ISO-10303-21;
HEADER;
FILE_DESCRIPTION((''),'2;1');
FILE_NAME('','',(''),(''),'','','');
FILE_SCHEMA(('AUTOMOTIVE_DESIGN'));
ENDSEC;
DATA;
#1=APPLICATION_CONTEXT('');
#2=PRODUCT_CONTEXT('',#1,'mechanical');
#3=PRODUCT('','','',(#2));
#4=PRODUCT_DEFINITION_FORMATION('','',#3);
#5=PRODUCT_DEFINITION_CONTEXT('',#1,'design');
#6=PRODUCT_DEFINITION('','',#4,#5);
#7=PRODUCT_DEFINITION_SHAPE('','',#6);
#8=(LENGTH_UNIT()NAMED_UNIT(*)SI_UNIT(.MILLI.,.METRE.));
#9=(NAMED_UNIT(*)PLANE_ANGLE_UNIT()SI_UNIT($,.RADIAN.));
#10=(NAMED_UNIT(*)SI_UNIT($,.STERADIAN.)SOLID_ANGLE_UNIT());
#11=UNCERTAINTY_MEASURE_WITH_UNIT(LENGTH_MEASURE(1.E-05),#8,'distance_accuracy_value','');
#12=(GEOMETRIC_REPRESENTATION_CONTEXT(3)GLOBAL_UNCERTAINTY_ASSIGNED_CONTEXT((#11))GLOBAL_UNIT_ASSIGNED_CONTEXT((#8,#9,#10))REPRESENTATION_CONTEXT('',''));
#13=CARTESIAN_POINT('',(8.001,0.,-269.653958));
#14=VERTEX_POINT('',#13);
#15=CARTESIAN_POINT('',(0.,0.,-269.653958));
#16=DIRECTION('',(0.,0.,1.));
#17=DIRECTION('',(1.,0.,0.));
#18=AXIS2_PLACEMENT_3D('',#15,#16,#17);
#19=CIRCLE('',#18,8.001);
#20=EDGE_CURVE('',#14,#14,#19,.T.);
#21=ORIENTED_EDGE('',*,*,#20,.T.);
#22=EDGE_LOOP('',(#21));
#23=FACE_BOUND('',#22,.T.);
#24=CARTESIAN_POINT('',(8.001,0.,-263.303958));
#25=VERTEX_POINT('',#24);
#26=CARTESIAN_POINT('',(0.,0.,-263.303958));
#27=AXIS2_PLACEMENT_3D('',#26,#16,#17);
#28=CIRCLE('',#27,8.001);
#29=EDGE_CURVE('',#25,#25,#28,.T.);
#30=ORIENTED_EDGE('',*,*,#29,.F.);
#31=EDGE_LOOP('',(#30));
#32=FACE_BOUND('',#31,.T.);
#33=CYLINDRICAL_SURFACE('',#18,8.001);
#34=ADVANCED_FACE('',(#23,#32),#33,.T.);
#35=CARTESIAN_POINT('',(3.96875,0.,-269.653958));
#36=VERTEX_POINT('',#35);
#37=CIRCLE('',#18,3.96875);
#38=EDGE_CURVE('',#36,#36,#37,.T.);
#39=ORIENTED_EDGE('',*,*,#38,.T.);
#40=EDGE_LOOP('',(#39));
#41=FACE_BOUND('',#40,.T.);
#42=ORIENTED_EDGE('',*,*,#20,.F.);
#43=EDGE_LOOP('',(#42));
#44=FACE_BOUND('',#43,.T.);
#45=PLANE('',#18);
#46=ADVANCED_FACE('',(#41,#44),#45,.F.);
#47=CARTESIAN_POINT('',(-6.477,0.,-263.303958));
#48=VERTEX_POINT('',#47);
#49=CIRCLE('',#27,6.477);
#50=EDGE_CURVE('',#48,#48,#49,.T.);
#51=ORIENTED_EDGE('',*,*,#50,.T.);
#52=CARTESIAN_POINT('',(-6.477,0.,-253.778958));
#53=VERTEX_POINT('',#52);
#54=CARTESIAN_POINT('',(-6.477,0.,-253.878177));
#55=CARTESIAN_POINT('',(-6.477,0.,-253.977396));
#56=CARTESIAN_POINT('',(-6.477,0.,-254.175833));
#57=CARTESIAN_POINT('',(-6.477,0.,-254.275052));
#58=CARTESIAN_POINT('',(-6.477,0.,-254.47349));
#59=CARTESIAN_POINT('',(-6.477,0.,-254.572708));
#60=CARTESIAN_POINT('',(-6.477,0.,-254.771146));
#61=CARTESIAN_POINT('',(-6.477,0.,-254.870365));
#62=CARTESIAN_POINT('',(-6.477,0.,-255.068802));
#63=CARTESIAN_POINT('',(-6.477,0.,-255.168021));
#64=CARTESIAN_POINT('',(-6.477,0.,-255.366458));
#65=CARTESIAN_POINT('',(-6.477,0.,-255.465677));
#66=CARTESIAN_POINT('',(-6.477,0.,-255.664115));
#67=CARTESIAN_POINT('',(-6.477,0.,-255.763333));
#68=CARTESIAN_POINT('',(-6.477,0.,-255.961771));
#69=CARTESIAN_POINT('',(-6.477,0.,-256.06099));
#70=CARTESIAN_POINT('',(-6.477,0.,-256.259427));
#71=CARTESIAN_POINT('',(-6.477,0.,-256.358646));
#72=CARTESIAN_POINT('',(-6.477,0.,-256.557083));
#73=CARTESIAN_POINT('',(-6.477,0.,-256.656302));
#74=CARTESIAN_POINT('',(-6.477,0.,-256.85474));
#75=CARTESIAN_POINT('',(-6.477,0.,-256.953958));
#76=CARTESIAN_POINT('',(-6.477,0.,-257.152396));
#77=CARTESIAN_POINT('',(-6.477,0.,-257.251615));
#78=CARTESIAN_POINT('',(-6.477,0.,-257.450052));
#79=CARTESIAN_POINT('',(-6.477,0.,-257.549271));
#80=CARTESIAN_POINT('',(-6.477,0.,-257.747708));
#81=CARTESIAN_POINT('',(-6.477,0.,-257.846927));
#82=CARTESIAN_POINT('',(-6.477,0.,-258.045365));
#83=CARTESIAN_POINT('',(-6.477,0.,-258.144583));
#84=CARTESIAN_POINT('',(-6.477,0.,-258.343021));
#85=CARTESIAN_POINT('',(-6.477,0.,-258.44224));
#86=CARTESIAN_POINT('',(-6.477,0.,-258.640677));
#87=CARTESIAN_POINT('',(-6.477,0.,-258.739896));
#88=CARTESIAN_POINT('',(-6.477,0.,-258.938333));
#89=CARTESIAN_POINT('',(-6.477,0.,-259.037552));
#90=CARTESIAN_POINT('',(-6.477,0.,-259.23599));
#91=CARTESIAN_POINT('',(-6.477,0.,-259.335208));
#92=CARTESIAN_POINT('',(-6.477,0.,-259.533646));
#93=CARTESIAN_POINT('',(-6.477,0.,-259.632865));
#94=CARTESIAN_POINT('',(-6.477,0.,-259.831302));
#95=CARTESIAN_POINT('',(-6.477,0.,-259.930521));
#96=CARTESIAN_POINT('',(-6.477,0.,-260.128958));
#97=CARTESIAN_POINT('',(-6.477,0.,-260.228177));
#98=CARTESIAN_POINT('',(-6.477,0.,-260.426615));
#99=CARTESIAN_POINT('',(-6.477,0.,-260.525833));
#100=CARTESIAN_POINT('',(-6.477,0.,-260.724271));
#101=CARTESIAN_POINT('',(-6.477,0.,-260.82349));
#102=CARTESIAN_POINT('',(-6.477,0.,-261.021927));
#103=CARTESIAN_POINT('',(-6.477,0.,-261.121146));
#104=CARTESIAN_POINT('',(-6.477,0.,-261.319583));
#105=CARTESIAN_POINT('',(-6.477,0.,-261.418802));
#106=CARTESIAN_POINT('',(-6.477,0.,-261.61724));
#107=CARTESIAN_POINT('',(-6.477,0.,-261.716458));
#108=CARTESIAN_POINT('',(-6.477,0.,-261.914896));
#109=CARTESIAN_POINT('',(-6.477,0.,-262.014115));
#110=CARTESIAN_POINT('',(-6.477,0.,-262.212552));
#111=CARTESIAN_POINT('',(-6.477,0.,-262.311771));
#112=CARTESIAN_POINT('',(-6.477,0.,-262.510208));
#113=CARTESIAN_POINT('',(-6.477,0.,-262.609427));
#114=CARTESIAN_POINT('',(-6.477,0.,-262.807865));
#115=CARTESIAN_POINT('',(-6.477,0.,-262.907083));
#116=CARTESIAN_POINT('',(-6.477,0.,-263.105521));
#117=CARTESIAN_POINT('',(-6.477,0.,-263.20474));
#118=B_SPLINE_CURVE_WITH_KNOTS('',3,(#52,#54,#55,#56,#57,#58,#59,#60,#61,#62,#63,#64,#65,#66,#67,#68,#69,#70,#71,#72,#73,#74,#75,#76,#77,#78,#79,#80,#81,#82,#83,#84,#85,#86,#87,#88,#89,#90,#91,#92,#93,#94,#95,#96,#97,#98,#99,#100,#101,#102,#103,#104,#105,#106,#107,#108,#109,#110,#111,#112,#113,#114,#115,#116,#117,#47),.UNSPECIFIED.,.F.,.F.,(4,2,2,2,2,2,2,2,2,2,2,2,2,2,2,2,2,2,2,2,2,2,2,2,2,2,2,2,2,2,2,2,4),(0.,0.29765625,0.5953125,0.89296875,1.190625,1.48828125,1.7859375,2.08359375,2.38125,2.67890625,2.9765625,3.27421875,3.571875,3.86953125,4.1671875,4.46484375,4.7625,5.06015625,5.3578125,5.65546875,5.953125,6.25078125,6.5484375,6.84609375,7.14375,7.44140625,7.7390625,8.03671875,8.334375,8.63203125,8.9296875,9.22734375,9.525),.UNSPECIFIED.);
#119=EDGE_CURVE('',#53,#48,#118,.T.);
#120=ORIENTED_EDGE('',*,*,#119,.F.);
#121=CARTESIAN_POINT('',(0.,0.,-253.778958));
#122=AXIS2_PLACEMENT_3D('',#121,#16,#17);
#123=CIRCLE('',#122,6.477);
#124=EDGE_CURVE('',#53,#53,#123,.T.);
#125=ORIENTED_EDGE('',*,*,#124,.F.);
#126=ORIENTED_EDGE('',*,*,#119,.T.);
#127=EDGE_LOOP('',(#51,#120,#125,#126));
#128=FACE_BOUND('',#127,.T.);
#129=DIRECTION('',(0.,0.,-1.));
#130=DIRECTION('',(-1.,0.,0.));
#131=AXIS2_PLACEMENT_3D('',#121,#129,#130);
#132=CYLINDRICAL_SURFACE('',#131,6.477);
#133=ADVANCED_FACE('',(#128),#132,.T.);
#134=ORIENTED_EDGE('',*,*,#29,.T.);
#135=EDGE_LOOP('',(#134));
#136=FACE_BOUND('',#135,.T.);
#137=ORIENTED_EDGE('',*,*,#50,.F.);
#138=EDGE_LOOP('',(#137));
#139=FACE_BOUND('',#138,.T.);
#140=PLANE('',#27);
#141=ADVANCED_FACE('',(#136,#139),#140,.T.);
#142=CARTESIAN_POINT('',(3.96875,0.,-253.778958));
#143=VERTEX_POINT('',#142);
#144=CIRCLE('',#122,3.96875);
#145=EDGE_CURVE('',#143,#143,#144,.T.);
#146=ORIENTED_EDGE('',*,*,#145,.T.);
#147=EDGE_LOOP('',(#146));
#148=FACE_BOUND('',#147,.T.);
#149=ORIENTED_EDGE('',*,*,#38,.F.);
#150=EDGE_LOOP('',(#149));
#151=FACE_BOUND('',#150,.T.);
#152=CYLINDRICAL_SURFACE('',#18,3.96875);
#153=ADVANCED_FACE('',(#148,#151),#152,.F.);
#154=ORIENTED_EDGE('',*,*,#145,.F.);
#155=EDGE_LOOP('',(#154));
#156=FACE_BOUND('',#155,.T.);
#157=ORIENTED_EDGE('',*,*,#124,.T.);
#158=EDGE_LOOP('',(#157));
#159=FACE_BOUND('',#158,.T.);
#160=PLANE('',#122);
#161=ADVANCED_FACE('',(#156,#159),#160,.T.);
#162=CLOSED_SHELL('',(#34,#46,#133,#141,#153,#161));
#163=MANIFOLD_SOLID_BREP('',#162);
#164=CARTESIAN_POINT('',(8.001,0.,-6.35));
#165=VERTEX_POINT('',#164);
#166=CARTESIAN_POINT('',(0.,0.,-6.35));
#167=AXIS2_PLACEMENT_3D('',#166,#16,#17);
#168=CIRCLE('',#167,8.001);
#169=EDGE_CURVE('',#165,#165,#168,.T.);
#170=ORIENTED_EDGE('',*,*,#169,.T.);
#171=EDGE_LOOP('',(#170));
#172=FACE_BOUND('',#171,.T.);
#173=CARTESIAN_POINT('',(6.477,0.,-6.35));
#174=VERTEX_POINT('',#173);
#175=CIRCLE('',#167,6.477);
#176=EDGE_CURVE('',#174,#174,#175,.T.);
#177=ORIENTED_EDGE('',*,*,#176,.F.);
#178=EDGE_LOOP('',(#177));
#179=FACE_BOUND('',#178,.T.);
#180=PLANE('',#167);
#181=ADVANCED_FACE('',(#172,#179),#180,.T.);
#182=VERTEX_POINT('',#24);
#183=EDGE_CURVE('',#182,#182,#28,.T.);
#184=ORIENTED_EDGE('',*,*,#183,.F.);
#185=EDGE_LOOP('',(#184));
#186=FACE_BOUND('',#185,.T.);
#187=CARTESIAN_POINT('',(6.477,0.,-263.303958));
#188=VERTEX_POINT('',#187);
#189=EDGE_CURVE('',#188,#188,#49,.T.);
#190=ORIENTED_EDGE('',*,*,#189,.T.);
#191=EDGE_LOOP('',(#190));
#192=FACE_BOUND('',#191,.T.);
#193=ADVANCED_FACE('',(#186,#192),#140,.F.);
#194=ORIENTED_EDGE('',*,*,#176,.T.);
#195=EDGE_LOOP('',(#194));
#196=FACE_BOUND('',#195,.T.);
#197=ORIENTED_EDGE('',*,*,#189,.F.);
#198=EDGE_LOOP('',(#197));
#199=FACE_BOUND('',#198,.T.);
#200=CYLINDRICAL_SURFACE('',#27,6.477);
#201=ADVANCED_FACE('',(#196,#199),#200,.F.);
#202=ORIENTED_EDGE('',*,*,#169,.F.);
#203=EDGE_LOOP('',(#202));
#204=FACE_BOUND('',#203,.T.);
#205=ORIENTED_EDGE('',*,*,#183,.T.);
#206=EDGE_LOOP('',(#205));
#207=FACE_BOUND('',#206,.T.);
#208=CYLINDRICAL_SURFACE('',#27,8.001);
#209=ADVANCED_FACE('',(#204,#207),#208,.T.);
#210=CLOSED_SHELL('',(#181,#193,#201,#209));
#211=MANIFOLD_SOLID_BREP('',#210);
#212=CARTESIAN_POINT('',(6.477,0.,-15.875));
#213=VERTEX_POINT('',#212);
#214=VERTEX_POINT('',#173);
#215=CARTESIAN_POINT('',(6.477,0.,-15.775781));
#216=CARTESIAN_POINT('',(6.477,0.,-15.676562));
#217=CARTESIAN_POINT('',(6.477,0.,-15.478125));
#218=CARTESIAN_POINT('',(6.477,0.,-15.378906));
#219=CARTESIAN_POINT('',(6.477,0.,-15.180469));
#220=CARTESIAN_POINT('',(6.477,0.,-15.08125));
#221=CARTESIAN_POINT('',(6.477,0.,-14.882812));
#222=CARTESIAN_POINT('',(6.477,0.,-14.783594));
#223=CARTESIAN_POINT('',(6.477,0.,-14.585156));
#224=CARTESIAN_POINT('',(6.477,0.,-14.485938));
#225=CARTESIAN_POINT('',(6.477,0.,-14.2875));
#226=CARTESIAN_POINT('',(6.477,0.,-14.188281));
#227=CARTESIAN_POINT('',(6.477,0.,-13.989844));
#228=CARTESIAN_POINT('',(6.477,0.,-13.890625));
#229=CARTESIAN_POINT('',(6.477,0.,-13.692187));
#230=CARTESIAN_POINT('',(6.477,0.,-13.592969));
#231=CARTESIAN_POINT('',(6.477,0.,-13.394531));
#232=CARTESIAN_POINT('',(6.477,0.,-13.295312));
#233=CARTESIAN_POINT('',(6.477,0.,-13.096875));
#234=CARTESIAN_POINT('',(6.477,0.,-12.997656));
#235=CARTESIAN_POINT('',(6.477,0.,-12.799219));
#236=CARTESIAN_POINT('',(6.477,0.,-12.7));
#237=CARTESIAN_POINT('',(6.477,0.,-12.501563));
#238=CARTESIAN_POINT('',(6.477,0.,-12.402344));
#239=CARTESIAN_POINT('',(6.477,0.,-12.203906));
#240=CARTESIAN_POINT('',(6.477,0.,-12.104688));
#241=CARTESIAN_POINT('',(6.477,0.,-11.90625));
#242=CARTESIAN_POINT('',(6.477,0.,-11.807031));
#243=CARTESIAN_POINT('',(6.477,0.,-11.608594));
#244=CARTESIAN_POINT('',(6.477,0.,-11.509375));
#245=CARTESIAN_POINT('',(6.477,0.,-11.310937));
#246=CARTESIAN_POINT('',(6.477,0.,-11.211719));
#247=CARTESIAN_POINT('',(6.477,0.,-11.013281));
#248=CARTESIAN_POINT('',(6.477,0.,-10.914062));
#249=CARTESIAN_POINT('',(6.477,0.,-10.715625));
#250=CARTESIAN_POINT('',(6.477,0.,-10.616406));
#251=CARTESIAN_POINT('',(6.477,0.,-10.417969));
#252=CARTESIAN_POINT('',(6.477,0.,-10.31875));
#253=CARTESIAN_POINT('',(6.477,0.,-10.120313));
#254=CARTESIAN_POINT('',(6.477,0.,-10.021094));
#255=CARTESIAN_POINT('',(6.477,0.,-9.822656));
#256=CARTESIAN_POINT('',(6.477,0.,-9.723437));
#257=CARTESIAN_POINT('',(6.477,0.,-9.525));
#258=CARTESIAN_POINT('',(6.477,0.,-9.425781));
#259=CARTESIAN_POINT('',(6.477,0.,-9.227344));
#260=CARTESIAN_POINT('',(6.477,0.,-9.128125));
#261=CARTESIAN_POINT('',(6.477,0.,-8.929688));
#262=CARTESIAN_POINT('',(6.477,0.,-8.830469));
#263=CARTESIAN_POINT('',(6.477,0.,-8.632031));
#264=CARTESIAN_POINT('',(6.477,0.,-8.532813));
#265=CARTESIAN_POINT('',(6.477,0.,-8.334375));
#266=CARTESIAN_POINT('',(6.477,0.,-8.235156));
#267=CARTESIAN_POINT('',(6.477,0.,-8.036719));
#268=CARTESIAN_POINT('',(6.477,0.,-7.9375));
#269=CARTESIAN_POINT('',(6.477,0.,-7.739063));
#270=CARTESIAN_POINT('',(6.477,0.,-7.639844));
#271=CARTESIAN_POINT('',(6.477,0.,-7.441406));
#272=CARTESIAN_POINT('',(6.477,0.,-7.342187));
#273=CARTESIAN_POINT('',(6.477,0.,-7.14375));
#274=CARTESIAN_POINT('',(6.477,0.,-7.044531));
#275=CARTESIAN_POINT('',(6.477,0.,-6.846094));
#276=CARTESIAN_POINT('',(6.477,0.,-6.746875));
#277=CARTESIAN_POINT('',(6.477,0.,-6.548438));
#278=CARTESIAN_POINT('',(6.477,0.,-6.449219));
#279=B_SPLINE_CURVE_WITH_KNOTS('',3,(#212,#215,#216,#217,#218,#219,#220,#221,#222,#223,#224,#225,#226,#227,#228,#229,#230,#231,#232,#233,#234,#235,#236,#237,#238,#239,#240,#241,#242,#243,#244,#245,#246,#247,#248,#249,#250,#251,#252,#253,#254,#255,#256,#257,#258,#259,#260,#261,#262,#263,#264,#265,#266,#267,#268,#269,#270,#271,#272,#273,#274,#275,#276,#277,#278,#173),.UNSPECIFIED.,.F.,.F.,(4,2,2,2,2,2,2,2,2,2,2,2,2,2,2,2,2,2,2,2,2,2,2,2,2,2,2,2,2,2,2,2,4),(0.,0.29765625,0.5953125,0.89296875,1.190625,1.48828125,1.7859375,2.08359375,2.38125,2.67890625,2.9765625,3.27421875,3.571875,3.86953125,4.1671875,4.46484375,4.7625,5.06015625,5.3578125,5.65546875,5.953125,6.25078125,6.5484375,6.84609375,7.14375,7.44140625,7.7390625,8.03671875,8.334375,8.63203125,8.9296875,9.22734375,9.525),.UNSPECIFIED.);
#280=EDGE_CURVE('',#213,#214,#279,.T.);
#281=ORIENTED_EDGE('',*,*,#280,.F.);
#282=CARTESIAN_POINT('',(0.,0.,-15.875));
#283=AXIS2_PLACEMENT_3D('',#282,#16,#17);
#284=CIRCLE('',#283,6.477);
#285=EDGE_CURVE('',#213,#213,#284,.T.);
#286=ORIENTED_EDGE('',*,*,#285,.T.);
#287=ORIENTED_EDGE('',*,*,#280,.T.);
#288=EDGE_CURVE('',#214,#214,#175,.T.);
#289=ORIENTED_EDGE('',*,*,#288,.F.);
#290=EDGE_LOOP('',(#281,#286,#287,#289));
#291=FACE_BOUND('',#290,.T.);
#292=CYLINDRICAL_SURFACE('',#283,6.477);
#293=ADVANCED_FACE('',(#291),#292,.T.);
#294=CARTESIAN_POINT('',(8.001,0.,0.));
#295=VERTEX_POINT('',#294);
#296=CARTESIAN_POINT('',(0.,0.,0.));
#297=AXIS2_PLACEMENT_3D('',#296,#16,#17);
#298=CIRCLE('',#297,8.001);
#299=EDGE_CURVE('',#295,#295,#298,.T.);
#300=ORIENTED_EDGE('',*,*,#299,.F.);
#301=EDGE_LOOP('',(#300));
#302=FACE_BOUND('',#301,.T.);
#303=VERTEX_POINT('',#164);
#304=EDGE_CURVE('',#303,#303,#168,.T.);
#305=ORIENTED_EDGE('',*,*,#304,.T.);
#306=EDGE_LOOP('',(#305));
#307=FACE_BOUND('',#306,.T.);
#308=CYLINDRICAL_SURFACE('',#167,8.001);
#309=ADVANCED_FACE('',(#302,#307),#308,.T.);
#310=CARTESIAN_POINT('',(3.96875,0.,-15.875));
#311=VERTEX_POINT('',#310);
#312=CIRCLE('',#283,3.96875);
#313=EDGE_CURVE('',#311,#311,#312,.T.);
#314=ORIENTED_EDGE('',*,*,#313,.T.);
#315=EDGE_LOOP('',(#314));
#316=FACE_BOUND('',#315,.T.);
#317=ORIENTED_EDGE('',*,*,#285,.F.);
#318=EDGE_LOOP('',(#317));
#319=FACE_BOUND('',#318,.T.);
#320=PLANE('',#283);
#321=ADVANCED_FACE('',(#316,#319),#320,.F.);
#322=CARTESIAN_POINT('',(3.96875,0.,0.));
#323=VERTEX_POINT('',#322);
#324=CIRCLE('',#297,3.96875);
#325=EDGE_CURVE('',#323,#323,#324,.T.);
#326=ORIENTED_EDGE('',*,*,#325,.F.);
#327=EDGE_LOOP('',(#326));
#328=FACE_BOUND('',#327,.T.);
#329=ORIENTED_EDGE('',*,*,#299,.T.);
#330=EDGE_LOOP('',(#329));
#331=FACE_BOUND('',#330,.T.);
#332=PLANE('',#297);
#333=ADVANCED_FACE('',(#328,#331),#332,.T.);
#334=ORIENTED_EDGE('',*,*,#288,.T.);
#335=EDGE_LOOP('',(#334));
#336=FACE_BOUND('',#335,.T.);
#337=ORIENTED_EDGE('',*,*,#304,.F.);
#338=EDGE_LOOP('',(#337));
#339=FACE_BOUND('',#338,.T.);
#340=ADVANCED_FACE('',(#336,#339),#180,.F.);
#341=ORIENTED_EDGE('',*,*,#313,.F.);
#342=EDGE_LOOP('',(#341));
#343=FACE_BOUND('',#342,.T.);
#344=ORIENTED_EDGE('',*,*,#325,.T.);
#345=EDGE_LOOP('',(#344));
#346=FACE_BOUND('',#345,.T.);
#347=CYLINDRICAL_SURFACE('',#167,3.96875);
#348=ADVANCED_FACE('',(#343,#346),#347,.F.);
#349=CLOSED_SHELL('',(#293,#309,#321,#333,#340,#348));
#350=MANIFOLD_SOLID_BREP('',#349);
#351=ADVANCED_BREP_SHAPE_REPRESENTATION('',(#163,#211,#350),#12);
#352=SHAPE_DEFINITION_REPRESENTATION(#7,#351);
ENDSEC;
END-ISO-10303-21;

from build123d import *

# Parameters (mm, degrees)
SKETCH1_R                 = 8.001
SKETCH1_R_2               = 6.477
SKETCH1_R_3               = 3.96875
THREADED_INSERT_1_1_DEPTH = 6.35
THREADED_START            = -6.35
SKETCH1_3_R               = 6.477
SKETCH1_3_R_2             = 3.96875
THREADED_INSERT_1_2_DEPTH = 9.525
TUBE_START                = -6.35
SKETCH1_4_R               = 8.001
SKETCH1_4_R_2             = 6.477
TUBE_EXTRUDE_DEPTH        = 256.953958
THREADED_START_2          = -263.303958
SKETCH1_6_R               = 6.477
SKETCH1_6_R_2             = 3.96875
THREADED_INSERT_2_1_DEPTH = 9.525
SKETCH1_9_R               = 8.001
SKETCH1_9_R_2             = 6.477
SKETCH1_9_R_3             = 3.96875
THREADED_INSERT_2_2_DEPTH = 6.35


with BuildPart() as part:
    # Sketch1 → Threaded insert 1-1 (new body)
    # profile 1 of 2: a face of its own
    with BuildSketch(Plane.XY):
        Circle(SKETCH1_R)
        Circle(SKETCH1_R_2, mode=Mode.SUBTRACT)
    # profile 2 of 2: a face of its own
    with BuildSketch(Plane.XY):
        Circle(SKETCH1_R_2)
        Circle(SKETCH1_R_3, mode=Mode.SUBTRACT)
    extrude(amount=-THREADED_INSERT_1_1_DEPTH)

    # Sketch1<3> → Threaded insert 1-2 (add)
    with BuildSketch(Plane.XY.offset(THREADED_START)):
        Circle(SKETCH1_3_R)
        Circle(SKETCH1_3_R_2, mode=Mode.SUBTRACT)
    extrude(amount=-THREADED_INSERT_1_2_DEPTH)


with BuildPart() as body_2:
    # Sketch1<4> → Tube extrude (new body)
    with BuildSketch(Plane.XY.offset(TUBE_START)):
        Circle(SKETCH1_4_R)
        Circle(SKETCH1_4_R_2, mode=Mode.SUBTRACT)
    extrude(amount=-TUBE_EXTRUDE_DEPTH)


with BuildPart() as body_3:
    # Sketch1<6> → Threaded insert 2-1 (new body)
    with BuildSketch(Plane.XY.offset(THREADED_START_2)):
        Circle(SKETCH1_6_R)
        Circle(SKETCH1_6_R_2, mode=Mode.SUBTRACT)
    extrude(amount=THREADED_INSERT_2_1_DEPTH)


with BuildPart() as body_4:
    # Sketch1<9> → Threaded insert 2-2 (new body)
    # profile 1 of 2: a face of its own
    with BuildSketch(Plane.XY.offset(THREADED_START_2)):
        Circle(SKETCH1_9_R)
        Circle(SKETCH1_9_R_2, mode=Mode.SUBTRACT)
    # profile 2 of 2: a face of its own
    with BuildSketch(Plane.XY.offset(THREADED_START_2)):
        Circle(SKETCH1_9_R_2)
        Circle(SKETCH1_9_R_3, mode=Mode.SUBTRACT)
    extrude(amount=-THREADED_INSERT_2_2_DEPTH)

    # Combine1: union body 3
    add(body_3.part)


solid = Compound([part.part, body_2.part, body_4.part])
